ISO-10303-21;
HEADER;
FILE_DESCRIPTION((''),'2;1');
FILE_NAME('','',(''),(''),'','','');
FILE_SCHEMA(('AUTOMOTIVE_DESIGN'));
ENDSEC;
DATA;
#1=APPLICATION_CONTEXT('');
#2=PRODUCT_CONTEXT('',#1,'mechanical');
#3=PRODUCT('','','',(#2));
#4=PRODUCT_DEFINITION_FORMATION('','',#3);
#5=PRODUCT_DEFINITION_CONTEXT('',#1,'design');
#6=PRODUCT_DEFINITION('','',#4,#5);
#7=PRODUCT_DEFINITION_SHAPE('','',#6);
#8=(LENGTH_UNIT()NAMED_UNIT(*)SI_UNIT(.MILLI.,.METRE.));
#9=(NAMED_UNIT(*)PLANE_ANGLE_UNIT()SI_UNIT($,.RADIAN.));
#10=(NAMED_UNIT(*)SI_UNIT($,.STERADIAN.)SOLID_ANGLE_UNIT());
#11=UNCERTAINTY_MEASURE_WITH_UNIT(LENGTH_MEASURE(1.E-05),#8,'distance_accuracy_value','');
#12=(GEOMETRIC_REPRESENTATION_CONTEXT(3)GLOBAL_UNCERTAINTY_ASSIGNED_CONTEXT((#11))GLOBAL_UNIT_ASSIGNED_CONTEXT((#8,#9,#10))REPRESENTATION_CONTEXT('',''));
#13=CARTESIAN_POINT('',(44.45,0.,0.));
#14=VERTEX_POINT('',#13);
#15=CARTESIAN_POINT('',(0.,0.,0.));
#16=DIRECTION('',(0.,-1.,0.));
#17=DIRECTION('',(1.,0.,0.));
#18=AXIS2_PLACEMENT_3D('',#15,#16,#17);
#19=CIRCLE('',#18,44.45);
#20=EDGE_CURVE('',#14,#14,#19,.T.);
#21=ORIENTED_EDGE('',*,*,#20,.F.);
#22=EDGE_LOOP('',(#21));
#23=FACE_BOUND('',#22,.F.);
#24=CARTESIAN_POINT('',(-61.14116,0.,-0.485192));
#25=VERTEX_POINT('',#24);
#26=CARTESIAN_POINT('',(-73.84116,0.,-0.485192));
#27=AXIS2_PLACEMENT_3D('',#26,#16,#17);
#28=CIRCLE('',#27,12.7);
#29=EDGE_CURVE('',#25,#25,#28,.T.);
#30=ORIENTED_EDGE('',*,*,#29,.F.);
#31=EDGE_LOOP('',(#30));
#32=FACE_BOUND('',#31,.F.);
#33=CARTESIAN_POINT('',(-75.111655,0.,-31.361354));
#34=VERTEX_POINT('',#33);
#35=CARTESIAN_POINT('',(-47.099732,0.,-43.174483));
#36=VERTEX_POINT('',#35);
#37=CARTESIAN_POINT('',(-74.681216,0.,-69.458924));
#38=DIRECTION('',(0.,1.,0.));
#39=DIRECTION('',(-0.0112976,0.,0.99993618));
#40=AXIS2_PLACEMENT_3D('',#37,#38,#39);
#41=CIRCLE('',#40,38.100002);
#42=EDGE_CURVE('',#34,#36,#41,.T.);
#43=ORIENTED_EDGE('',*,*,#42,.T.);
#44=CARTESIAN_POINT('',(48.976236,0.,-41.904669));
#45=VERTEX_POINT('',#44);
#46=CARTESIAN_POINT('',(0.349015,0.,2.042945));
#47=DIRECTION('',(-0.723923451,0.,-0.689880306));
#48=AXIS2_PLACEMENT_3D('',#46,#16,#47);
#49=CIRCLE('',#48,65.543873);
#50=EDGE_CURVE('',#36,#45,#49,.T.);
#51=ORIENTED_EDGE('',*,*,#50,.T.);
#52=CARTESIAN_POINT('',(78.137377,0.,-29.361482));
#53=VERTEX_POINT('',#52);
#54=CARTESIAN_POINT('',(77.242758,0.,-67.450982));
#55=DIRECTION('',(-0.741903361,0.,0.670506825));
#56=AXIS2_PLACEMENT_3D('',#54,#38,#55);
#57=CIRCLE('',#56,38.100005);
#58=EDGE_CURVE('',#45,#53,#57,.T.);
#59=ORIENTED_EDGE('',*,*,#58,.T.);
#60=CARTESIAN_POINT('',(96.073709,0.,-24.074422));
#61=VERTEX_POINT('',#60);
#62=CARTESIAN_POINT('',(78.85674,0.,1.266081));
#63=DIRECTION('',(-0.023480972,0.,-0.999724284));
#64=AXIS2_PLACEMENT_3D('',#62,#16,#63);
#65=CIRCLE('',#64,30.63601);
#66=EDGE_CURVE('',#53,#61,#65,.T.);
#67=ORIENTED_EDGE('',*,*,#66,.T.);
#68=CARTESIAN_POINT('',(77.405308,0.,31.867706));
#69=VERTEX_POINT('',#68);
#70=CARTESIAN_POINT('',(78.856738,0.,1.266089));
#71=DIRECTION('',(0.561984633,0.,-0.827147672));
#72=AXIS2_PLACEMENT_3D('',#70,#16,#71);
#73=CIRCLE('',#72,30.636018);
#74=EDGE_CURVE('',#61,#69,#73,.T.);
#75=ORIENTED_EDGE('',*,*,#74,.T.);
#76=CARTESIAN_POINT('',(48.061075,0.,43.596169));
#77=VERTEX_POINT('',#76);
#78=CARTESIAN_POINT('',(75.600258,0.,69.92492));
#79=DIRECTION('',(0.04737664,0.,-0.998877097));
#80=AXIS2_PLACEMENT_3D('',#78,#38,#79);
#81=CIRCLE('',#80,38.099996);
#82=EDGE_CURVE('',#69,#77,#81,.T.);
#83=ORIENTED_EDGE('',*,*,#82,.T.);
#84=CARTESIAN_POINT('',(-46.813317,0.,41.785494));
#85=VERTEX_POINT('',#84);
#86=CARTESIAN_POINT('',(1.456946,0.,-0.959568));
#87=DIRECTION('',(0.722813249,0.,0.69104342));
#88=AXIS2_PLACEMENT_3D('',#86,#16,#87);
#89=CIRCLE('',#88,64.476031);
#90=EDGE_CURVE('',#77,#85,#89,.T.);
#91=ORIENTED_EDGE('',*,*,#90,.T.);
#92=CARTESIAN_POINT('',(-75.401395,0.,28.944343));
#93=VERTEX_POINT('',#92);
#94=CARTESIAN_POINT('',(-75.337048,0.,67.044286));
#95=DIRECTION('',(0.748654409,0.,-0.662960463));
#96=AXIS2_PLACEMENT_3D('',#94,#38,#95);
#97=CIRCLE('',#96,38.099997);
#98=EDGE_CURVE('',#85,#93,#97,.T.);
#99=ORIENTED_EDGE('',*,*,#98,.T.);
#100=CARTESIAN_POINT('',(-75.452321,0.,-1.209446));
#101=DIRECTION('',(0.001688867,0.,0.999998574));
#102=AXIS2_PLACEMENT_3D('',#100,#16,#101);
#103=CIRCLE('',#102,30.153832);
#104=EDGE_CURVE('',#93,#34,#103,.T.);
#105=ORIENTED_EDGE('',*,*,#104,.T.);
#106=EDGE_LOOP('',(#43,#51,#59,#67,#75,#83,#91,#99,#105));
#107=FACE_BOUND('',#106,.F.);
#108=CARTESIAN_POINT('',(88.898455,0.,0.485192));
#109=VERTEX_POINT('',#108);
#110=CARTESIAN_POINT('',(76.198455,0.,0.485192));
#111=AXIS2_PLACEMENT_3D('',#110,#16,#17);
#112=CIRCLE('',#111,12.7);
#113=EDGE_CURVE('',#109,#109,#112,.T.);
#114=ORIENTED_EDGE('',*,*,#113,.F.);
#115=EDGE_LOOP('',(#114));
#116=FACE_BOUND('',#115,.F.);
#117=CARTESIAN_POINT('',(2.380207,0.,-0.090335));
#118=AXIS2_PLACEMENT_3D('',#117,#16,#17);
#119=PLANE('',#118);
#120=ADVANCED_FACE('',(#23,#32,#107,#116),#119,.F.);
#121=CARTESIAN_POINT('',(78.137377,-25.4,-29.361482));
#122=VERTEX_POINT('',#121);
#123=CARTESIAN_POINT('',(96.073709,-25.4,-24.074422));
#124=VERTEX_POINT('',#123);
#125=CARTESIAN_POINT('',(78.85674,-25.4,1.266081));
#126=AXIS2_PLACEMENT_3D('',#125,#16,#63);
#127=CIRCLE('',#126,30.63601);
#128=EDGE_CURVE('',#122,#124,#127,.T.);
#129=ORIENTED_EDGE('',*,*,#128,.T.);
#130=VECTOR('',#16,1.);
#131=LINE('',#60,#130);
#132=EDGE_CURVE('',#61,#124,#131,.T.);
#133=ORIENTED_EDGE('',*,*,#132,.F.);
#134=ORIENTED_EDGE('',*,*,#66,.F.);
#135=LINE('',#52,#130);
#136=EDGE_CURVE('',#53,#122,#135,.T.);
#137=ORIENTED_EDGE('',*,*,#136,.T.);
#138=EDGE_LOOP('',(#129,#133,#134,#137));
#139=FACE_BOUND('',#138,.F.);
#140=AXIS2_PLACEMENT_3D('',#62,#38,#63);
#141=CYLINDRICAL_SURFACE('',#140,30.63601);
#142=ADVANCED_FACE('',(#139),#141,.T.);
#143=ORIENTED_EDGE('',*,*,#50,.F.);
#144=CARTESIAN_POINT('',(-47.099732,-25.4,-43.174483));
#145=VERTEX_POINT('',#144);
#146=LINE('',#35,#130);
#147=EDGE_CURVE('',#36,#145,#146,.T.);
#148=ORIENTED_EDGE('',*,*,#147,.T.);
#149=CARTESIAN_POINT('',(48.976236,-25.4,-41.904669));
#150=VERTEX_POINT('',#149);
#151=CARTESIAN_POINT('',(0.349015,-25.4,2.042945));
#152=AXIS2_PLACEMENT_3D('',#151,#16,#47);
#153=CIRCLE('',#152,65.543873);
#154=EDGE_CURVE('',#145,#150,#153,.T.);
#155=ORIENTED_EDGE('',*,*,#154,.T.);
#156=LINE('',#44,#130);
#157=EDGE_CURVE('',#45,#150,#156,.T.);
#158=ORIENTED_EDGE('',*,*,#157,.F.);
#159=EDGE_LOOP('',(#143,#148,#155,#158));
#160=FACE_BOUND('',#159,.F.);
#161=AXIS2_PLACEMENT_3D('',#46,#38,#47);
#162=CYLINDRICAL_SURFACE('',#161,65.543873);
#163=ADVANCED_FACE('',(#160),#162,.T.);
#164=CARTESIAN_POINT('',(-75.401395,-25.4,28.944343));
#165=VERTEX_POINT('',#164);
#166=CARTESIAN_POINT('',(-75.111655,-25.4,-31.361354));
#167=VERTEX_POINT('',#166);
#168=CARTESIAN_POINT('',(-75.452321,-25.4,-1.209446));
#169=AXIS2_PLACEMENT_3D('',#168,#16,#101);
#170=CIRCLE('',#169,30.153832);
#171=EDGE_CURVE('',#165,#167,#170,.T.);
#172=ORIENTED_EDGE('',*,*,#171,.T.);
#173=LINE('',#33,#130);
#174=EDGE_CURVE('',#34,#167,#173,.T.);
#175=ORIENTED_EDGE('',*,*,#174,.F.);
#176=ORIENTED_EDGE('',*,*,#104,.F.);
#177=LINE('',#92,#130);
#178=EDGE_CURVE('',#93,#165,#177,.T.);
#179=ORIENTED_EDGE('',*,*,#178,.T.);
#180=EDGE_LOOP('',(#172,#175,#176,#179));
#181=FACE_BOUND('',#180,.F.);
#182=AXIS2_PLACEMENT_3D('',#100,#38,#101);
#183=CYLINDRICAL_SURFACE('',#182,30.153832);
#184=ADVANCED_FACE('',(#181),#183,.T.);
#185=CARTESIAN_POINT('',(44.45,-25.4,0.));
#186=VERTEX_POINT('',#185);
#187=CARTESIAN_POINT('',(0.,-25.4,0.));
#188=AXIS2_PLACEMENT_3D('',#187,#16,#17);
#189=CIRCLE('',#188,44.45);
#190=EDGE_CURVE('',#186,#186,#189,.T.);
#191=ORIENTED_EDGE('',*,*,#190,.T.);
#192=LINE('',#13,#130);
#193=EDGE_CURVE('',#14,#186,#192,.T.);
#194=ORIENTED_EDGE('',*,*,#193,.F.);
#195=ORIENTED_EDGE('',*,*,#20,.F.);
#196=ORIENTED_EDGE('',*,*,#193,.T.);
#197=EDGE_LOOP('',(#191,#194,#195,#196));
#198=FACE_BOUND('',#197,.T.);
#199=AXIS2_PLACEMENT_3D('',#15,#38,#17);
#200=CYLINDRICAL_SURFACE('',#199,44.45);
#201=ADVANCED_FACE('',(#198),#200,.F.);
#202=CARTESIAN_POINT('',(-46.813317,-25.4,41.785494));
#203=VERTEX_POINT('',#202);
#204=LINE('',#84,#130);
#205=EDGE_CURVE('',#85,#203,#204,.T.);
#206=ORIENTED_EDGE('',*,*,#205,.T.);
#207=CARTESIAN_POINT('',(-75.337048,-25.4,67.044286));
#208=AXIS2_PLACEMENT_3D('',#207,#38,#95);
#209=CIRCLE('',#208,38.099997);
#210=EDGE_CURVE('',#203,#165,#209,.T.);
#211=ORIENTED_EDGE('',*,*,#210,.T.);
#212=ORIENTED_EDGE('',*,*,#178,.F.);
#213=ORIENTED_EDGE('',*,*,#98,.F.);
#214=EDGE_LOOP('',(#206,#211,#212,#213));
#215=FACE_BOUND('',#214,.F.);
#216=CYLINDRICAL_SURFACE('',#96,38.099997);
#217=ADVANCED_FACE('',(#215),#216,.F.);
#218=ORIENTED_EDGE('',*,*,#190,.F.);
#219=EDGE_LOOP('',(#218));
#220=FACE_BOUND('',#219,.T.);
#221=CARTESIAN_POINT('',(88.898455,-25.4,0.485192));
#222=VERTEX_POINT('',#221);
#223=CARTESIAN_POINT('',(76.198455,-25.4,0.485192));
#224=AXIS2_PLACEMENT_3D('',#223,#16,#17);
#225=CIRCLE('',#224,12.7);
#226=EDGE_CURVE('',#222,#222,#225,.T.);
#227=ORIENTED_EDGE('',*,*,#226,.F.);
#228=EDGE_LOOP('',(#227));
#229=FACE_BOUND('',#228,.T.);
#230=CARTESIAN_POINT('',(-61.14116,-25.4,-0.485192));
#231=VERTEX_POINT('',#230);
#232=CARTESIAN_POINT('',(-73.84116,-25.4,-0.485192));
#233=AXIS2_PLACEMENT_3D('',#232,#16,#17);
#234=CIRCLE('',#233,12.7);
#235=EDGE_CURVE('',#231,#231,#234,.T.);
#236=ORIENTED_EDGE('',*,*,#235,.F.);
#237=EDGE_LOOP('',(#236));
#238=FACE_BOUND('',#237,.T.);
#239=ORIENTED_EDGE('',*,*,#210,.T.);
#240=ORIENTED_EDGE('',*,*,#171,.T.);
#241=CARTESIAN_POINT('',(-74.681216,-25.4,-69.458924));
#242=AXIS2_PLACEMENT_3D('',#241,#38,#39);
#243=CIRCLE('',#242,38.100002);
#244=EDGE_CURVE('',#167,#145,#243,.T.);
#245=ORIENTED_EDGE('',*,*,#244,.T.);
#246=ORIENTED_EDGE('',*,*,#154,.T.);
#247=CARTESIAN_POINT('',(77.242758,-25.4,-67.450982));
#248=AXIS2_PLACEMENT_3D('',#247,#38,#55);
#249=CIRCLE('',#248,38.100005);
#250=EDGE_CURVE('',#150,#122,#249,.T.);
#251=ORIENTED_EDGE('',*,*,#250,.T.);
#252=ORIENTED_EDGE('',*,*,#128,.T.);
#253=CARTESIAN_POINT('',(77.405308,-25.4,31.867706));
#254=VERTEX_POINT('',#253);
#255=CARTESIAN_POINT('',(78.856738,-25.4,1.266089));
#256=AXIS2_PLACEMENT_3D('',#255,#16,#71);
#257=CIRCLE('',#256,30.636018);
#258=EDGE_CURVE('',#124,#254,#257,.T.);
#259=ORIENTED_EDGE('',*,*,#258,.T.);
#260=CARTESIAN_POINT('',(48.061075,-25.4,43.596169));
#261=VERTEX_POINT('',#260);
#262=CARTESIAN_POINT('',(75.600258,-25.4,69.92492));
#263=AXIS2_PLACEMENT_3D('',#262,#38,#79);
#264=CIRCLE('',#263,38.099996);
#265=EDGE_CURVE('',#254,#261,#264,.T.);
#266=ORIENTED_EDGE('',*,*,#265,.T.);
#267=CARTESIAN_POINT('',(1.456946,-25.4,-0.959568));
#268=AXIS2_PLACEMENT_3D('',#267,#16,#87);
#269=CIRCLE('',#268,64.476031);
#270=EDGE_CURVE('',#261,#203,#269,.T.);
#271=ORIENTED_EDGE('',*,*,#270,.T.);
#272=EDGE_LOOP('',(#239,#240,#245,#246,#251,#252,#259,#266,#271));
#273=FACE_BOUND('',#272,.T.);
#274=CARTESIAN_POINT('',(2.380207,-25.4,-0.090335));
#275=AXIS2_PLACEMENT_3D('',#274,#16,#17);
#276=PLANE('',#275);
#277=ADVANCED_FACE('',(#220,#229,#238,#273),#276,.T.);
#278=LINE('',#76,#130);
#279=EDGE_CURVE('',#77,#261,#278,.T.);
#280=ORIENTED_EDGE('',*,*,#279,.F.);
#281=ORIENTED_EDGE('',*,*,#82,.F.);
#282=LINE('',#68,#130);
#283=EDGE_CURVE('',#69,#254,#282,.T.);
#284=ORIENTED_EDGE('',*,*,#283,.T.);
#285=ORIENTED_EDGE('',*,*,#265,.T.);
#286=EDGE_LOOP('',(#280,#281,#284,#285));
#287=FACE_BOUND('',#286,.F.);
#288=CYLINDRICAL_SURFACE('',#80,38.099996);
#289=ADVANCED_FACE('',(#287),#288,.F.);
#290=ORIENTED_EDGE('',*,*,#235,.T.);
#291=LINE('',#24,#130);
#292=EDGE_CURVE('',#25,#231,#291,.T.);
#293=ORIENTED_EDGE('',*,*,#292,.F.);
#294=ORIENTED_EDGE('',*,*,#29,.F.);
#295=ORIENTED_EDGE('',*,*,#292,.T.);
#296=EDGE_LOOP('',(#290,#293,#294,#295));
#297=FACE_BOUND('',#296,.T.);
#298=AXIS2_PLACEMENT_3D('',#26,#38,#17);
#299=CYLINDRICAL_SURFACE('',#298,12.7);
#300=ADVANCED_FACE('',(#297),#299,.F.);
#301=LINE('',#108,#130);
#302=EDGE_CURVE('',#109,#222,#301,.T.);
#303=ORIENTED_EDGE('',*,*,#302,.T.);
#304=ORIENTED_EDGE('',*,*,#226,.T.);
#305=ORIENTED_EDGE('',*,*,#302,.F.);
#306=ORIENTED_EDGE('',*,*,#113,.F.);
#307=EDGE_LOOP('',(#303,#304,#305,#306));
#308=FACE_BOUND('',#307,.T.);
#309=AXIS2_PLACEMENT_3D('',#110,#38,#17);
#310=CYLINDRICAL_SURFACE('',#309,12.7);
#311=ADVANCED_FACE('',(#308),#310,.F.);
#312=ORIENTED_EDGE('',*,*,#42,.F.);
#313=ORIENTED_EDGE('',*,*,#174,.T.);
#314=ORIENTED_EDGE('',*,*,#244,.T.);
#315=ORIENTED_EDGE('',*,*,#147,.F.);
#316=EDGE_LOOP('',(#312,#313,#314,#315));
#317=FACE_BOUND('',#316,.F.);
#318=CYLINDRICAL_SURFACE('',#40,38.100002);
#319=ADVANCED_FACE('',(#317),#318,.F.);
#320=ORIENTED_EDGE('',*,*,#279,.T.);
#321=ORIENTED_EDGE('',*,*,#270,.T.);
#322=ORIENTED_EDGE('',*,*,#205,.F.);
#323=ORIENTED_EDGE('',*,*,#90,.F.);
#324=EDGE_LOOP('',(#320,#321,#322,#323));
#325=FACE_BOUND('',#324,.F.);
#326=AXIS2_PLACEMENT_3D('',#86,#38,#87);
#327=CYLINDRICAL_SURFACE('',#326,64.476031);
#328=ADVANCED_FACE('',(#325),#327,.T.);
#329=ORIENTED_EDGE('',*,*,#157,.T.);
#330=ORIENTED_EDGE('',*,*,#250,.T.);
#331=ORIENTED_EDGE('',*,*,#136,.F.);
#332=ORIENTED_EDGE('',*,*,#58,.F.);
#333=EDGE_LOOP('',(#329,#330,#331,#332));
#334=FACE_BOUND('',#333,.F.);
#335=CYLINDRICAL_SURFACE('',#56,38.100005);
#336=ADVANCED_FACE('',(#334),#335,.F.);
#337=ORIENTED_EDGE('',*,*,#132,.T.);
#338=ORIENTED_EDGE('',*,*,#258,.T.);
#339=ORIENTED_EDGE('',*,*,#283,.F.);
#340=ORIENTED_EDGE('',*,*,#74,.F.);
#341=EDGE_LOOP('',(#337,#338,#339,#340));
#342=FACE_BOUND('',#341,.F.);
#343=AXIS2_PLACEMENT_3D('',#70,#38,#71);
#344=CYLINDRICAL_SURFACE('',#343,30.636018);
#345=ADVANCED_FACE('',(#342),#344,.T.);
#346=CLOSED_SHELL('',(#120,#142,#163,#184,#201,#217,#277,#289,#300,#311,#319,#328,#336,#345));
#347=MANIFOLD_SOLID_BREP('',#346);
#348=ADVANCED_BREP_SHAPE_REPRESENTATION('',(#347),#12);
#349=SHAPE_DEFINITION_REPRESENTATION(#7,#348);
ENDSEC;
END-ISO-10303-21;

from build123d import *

# Parameters (mm, degrees)
F0_R     = 12.7
F0_R_2   = 44.45
F1_DEPTH = 25.4


with BuildPart() as f1:
    # F0 (on Front) → F1 (new body)
    with BuildSketch(Plane.XZ):
        with BuildLine():
            ThreePointArc((-75.111655, -31.361354), (-59.876409, -34.352973), (-47.099732, -43.174483))
            ThreePointArc((-47.099732, -43.174483), (1.215218, -63.495205), (48.976236, -41.904669))
            ThreePointArc((48.976236, -41.904669), (62.188252, -32.451379), (78.137377, -29.361482))
            ThreePointArc((78.137377, -29.361482), (87.518783, -28.11987), (96.073709, -24.074422))
            ThreePointArc((96.073709, -24.074422), (107.917338, 10.963878), (77.405308, 31.867706))
            ThreePointArc((77.405308, 31.867706), (61.459869, 34.546125), (48.061075, 43.596169))
            ThreePointArc((48.061075, 43.596169), (0.226646, 63.504724), (-46.813317, 41.785494))
            ThreePointArc((-46.813317, 41.785494), (-59.725901, 32.289403), (-75.401395, 28.944343))
            ThreePointArc((-75.401395, 28.944343), (-105.605805, -1.354319), (-75.111655, -31.361354))
        make_face()
        with Locations((-73.84116, -0.485192)):
            Circle(F0_R, mode=Mode.SUBTRACT)
        Circle(F0_R_2, mode=Mode.SUBTRACT)
        with Locations((76.198455, 0.485192)):
            Circle(F0_R, mode=Mode.SUBTRACT)
    extrude(amount=F1_DEPTH)


solid = f1.part
